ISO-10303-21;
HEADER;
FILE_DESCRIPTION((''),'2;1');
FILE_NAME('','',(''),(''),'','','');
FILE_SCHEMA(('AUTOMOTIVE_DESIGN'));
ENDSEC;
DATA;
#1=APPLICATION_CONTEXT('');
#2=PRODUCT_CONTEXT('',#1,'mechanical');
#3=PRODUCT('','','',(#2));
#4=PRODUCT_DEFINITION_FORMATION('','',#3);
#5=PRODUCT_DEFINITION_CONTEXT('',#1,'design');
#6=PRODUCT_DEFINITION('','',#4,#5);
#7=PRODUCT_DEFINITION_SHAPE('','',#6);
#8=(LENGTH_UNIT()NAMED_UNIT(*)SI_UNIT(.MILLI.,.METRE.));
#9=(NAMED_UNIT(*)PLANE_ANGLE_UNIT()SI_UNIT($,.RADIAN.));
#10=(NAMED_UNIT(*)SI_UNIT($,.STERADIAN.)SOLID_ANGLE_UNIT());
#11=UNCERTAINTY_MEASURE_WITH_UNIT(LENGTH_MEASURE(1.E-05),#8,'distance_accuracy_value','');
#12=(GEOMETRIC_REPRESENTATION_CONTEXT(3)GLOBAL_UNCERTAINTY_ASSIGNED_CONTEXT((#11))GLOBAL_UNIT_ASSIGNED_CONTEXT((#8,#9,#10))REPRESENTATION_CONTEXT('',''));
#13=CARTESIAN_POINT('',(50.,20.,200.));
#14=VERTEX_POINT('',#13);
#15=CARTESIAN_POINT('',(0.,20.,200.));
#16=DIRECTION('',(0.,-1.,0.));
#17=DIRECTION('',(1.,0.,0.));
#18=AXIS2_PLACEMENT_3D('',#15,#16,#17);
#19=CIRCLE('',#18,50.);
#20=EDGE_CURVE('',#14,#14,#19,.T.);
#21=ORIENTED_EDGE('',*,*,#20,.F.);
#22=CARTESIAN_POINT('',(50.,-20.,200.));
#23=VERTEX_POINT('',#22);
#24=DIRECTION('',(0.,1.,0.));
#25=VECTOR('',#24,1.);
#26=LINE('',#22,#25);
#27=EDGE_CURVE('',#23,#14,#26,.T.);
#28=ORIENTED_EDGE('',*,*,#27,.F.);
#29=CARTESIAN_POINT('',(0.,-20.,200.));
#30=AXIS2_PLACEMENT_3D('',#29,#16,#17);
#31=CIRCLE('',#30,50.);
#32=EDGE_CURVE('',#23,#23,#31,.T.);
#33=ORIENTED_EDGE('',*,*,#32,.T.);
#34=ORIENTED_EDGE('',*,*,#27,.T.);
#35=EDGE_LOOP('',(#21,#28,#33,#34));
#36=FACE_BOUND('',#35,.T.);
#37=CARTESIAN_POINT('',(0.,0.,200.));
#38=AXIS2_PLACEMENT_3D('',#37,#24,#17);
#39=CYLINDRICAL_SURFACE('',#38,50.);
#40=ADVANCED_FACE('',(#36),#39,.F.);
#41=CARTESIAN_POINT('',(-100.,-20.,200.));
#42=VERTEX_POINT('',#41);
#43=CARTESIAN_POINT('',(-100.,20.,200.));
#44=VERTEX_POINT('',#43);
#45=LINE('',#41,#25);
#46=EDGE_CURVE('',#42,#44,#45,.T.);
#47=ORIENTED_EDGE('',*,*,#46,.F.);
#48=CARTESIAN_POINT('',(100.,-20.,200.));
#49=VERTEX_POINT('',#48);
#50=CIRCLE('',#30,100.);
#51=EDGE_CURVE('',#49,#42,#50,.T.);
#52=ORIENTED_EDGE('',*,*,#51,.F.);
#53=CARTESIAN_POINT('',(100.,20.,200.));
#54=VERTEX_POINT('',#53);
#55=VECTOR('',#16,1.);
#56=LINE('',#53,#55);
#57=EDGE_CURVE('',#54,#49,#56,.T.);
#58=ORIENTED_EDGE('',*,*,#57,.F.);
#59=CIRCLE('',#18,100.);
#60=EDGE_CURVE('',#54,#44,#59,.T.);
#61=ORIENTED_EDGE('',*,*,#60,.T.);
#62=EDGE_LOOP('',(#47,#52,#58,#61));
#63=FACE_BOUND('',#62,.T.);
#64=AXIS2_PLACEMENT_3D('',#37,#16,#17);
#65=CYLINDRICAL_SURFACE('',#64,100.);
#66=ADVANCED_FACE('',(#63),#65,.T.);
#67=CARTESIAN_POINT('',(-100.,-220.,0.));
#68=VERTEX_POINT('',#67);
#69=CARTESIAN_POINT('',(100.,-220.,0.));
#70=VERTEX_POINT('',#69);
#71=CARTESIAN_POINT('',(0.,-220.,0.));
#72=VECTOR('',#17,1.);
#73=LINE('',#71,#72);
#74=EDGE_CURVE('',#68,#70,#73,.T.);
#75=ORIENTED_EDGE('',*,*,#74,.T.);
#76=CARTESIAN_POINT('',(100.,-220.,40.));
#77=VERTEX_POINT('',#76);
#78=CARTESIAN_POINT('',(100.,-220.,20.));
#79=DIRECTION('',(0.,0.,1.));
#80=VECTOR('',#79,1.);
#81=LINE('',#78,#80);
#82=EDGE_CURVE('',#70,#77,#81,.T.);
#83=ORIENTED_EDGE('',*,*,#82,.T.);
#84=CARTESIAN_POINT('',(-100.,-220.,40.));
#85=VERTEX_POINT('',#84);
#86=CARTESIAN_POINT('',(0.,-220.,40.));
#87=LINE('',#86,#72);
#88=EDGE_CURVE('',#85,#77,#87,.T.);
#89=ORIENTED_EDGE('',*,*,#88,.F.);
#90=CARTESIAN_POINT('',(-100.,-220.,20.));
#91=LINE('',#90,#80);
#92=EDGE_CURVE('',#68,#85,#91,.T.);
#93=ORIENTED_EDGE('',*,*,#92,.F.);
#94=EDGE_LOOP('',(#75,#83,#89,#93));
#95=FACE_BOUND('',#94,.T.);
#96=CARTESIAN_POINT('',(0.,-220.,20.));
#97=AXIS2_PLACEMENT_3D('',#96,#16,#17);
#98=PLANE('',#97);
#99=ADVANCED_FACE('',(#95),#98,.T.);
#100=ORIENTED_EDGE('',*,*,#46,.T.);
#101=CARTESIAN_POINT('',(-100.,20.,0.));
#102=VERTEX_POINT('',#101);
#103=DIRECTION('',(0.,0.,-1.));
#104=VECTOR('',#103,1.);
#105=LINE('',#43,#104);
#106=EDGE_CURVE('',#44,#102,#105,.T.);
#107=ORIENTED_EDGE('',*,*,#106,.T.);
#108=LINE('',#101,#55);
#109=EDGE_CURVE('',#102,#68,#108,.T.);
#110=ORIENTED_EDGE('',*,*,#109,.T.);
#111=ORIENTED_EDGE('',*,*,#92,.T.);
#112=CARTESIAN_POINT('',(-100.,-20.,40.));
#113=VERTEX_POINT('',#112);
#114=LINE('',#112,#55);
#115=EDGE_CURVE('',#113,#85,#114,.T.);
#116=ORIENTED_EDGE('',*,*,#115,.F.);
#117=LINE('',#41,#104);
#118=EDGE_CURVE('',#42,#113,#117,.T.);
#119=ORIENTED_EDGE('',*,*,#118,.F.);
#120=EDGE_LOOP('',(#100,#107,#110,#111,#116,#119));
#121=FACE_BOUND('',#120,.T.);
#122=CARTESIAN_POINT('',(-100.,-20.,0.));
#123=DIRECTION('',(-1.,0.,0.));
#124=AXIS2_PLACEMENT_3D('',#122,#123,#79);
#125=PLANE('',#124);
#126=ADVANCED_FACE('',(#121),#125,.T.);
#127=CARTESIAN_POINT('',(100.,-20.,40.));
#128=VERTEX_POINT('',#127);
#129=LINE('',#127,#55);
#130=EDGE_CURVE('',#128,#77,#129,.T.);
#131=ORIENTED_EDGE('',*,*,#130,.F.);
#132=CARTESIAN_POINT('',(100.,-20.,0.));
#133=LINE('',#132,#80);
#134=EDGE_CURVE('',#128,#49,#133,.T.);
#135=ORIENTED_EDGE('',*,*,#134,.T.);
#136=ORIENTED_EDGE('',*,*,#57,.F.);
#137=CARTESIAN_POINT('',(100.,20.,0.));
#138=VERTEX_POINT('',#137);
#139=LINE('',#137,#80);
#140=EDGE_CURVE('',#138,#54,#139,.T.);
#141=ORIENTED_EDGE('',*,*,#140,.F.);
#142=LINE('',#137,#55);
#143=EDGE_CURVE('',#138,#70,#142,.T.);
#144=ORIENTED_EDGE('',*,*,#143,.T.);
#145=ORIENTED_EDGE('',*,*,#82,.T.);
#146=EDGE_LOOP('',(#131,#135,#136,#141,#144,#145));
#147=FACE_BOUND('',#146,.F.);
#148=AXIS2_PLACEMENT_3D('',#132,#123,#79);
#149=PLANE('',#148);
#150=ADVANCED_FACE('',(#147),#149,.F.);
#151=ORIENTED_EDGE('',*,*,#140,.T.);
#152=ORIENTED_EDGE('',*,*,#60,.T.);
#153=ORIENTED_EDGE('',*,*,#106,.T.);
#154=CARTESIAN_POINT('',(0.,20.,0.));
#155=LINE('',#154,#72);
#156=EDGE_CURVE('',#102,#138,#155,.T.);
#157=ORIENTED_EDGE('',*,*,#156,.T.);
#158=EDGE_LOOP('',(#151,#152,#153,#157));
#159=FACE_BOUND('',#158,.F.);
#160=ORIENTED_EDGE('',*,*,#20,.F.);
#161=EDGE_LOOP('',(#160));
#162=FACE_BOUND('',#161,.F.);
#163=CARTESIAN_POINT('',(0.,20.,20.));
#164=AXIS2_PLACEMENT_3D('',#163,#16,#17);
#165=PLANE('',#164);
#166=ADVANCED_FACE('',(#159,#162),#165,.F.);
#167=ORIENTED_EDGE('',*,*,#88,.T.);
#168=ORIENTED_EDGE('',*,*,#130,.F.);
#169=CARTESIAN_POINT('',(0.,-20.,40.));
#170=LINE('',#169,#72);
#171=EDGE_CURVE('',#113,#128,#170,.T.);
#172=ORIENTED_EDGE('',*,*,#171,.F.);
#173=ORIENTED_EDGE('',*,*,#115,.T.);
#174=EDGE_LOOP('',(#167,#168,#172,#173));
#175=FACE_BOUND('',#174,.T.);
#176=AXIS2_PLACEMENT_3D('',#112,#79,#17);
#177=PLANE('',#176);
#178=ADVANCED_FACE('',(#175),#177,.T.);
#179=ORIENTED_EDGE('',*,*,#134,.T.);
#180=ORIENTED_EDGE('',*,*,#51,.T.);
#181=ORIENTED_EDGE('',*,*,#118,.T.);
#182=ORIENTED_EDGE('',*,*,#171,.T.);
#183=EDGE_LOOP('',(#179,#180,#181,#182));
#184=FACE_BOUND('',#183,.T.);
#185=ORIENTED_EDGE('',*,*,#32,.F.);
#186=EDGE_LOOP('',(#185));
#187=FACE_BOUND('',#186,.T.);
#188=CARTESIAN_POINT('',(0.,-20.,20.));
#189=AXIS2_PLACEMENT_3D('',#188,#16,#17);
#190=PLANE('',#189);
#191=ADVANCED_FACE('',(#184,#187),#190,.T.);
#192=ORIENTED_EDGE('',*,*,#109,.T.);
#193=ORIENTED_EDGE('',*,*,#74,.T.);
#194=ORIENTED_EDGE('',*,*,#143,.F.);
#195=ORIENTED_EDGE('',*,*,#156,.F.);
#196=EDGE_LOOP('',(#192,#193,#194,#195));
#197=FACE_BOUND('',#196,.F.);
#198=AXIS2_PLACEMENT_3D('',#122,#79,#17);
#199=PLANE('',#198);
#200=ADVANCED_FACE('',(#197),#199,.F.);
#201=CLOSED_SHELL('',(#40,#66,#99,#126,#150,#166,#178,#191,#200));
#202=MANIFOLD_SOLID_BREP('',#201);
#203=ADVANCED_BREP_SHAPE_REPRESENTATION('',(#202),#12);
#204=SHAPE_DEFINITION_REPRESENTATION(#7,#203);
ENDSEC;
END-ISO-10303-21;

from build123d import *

# Parameters (mm, degrees)
F0_W     = 200
F0_H     = 40
F0_R     = 50
F1_DEPTH = 20
F2_W     = 200
F2_H     = 40
F3_DEPTH = 200


with BuildPart() as f1:
    # F0 (on Front) → F1 (new body, symmetric)
    with BuildSketch(Plane.XZ):
        with Locations((0, 20)):
            Rectangle(F0_W, F0_H)
        with BuildLine():
            Line((-100, 200), (-100, 40))
            Line((-100, 40), (100, 40))
            Line((100, 40), (100, 200))
            ThreePointArc((100, 200), (0, 300), (-100, 200))
        make_face()
        with Locations((0, 200)):
            Circle(F0_R, mode=Mode.SUBTRACT)
    extrude(amount=F1_DEPTH, both=True)

    # F2 (on face) → F3 (join)
    with BuildSketch(Plane.XZ.offset(20)):
        with Locations((0, 20)):
            Rectangle(F2_W, F2_H)
    extrude(amount=F3_DEPTH)


solid = f1.part
